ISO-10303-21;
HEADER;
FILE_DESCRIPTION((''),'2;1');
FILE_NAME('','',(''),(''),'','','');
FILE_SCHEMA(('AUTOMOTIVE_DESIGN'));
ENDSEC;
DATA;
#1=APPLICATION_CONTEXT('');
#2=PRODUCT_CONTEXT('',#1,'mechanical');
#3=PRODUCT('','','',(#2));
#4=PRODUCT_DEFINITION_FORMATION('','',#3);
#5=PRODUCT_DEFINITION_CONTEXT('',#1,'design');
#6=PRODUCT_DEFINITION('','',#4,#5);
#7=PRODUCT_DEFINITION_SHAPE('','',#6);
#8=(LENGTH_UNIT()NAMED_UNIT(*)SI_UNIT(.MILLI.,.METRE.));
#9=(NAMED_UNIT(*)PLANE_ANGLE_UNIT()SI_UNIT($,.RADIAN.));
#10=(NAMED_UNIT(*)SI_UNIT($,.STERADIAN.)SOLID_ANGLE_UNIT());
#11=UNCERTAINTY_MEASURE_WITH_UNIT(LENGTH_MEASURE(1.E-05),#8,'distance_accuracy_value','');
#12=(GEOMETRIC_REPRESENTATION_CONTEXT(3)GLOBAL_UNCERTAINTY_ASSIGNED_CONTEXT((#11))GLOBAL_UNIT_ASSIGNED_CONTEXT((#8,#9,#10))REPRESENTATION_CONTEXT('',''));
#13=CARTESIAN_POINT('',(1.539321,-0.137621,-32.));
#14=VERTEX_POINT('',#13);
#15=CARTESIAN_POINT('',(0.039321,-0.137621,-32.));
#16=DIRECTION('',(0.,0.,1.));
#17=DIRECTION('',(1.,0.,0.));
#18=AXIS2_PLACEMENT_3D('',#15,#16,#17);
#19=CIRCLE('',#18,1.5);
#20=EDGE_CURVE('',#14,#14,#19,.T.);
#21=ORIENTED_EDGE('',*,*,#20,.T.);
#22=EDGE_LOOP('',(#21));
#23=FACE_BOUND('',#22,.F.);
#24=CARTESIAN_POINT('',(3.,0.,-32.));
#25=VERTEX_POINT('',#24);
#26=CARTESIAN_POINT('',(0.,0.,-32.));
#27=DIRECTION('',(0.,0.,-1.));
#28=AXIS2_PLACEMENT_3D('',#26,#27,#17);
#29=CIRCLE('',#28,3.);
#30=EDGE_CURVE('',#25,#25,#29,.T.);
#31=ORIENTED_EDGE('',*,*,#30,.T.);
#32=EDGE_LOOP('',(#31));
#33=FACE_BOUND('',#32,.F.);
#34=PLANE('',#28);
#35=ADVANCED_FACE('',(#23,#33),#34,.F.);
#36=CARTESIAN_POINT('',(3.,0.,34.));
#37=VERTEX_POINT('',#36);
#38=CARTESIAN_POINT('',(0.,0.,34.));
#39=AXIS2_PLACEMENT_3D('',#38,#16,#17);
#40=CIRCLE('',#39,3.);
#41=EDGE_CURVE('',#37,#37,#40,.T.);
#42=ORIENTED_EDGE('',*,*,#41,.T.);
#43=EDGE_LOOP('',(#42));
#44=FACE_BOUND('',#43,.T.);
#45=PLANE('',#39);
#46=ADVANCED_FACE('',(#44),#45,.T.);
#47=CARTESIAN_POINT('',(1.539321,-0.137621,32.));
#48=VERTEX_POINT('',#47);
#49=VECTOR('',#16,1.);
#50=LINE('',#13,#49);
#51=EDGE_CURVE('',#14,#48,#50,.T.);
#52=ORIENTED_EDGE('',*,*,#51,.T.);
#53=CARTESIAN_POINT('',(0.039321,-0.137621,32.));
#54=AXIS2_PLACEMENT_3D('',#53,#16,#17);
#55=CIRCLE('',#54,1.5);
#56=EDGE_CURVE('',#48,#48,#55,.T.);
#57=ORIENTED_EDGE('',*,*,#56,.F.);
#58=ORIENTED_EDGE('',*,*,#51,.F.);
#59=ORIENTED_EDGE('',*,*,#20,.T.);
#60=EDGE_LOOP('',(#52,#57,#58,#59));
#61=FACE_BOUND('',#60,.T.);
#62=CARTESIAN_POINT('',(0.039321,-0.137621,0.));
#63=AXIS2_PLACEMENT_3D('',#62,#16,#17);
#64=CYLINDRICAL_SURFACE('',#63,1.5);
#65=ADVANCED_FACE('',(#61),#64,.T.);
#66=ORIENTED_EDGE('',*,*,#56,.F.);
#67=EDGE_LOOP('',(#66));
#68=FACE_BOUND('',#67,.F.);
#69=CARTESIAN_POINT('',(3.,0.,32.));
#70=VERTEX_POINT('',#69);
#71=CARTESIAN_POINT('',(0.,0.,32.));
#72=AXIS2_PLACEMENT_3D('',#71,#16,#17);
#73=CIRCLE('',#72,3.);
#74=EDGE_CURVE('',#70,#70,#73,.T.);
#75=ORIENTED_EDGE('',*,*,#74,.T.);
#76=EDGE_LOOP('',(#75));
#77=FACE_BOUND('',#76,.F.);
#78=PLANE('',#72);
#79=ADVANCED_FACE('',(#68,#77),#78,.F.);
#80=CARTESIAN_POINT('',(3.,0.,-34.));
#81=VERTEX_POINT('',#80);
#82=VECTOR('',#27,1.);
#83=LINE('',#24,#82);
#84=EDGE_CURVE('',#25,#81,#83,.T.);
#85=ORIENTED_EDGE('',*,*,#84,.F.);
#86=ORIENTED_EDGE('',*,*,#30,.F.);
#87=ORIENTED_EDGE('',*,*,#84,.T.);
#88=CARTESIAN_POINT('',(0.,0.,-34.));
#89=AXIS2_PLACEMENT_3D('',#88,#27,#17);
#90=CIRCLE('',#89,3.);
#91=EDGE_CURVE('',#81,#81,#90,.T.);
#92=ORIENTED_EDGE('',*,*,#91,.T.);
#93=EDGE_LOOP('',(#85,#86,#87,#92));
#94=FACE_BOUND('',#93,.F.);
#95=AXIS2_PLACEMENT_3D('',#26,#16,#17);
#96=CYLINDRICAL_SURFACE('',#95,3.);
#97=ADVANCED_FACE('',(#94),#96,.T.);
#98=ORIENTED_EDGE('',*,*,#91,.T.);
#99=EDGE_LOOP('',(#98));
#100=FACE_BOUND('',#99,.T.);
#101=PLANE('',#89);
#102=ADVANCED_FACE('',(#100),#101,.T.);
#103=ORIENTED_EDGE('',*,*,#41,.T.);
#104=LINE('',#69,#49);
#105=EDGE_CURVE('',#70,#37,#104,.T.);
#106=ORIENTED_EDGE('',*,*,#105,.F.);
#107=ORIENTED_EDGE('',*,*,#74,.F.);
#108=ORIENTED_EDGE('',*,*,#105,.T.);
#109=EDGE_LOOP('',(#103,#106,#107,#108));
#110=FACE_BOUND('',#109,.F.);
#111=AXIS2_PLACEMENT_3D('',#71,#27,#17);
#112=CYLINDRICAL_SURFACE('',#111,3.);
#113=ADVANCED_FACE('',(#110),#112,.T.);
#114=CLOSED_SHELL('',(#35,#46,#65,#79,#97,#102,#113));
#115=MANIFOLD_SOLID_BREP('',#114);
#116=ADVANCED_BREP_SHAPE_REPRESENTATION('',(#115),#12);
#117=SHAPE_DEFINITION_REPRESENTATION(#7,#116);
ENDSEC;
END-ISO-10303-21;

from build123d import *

# Parameters (mm, degrees)
SKETCH_R     = 1.5
PAD_DEPTH    = 32
SKETCH001_R  = 3
PAD001_DEPTH = 2
SKETCH002_R  = 3
PAD002_DEPTH = 2


with BuildPart() as part:
    # Sketch → Pad (new body, symmetric)
    with BuildSketch(Plane.XY):
        with Locations((0.039321, -0.137621)):
            Circle(SKETCH_R)
    extrude(amount=PAD_DEPTH, both=True)

    # Sketch001 (on Face2 of Pad) → Pad001 (join)
    with BuildSketch(Plane(origin=(0, 0, -32), x_dir=(1, 0, 0), z_dir=(0, 0, -1))):
        Circle(SKETCH001_R)
    extrude(amount=PAD001_DEPTH)

    # Sketch002 (on Face5 of Pad001) → Pad002 (join)
    with BuildSketch(Plane.XY.offset(32)):
        Circle(SKETCH002_R)
    extrude(amount=PAD002_DEPTH)


solid = part.part
